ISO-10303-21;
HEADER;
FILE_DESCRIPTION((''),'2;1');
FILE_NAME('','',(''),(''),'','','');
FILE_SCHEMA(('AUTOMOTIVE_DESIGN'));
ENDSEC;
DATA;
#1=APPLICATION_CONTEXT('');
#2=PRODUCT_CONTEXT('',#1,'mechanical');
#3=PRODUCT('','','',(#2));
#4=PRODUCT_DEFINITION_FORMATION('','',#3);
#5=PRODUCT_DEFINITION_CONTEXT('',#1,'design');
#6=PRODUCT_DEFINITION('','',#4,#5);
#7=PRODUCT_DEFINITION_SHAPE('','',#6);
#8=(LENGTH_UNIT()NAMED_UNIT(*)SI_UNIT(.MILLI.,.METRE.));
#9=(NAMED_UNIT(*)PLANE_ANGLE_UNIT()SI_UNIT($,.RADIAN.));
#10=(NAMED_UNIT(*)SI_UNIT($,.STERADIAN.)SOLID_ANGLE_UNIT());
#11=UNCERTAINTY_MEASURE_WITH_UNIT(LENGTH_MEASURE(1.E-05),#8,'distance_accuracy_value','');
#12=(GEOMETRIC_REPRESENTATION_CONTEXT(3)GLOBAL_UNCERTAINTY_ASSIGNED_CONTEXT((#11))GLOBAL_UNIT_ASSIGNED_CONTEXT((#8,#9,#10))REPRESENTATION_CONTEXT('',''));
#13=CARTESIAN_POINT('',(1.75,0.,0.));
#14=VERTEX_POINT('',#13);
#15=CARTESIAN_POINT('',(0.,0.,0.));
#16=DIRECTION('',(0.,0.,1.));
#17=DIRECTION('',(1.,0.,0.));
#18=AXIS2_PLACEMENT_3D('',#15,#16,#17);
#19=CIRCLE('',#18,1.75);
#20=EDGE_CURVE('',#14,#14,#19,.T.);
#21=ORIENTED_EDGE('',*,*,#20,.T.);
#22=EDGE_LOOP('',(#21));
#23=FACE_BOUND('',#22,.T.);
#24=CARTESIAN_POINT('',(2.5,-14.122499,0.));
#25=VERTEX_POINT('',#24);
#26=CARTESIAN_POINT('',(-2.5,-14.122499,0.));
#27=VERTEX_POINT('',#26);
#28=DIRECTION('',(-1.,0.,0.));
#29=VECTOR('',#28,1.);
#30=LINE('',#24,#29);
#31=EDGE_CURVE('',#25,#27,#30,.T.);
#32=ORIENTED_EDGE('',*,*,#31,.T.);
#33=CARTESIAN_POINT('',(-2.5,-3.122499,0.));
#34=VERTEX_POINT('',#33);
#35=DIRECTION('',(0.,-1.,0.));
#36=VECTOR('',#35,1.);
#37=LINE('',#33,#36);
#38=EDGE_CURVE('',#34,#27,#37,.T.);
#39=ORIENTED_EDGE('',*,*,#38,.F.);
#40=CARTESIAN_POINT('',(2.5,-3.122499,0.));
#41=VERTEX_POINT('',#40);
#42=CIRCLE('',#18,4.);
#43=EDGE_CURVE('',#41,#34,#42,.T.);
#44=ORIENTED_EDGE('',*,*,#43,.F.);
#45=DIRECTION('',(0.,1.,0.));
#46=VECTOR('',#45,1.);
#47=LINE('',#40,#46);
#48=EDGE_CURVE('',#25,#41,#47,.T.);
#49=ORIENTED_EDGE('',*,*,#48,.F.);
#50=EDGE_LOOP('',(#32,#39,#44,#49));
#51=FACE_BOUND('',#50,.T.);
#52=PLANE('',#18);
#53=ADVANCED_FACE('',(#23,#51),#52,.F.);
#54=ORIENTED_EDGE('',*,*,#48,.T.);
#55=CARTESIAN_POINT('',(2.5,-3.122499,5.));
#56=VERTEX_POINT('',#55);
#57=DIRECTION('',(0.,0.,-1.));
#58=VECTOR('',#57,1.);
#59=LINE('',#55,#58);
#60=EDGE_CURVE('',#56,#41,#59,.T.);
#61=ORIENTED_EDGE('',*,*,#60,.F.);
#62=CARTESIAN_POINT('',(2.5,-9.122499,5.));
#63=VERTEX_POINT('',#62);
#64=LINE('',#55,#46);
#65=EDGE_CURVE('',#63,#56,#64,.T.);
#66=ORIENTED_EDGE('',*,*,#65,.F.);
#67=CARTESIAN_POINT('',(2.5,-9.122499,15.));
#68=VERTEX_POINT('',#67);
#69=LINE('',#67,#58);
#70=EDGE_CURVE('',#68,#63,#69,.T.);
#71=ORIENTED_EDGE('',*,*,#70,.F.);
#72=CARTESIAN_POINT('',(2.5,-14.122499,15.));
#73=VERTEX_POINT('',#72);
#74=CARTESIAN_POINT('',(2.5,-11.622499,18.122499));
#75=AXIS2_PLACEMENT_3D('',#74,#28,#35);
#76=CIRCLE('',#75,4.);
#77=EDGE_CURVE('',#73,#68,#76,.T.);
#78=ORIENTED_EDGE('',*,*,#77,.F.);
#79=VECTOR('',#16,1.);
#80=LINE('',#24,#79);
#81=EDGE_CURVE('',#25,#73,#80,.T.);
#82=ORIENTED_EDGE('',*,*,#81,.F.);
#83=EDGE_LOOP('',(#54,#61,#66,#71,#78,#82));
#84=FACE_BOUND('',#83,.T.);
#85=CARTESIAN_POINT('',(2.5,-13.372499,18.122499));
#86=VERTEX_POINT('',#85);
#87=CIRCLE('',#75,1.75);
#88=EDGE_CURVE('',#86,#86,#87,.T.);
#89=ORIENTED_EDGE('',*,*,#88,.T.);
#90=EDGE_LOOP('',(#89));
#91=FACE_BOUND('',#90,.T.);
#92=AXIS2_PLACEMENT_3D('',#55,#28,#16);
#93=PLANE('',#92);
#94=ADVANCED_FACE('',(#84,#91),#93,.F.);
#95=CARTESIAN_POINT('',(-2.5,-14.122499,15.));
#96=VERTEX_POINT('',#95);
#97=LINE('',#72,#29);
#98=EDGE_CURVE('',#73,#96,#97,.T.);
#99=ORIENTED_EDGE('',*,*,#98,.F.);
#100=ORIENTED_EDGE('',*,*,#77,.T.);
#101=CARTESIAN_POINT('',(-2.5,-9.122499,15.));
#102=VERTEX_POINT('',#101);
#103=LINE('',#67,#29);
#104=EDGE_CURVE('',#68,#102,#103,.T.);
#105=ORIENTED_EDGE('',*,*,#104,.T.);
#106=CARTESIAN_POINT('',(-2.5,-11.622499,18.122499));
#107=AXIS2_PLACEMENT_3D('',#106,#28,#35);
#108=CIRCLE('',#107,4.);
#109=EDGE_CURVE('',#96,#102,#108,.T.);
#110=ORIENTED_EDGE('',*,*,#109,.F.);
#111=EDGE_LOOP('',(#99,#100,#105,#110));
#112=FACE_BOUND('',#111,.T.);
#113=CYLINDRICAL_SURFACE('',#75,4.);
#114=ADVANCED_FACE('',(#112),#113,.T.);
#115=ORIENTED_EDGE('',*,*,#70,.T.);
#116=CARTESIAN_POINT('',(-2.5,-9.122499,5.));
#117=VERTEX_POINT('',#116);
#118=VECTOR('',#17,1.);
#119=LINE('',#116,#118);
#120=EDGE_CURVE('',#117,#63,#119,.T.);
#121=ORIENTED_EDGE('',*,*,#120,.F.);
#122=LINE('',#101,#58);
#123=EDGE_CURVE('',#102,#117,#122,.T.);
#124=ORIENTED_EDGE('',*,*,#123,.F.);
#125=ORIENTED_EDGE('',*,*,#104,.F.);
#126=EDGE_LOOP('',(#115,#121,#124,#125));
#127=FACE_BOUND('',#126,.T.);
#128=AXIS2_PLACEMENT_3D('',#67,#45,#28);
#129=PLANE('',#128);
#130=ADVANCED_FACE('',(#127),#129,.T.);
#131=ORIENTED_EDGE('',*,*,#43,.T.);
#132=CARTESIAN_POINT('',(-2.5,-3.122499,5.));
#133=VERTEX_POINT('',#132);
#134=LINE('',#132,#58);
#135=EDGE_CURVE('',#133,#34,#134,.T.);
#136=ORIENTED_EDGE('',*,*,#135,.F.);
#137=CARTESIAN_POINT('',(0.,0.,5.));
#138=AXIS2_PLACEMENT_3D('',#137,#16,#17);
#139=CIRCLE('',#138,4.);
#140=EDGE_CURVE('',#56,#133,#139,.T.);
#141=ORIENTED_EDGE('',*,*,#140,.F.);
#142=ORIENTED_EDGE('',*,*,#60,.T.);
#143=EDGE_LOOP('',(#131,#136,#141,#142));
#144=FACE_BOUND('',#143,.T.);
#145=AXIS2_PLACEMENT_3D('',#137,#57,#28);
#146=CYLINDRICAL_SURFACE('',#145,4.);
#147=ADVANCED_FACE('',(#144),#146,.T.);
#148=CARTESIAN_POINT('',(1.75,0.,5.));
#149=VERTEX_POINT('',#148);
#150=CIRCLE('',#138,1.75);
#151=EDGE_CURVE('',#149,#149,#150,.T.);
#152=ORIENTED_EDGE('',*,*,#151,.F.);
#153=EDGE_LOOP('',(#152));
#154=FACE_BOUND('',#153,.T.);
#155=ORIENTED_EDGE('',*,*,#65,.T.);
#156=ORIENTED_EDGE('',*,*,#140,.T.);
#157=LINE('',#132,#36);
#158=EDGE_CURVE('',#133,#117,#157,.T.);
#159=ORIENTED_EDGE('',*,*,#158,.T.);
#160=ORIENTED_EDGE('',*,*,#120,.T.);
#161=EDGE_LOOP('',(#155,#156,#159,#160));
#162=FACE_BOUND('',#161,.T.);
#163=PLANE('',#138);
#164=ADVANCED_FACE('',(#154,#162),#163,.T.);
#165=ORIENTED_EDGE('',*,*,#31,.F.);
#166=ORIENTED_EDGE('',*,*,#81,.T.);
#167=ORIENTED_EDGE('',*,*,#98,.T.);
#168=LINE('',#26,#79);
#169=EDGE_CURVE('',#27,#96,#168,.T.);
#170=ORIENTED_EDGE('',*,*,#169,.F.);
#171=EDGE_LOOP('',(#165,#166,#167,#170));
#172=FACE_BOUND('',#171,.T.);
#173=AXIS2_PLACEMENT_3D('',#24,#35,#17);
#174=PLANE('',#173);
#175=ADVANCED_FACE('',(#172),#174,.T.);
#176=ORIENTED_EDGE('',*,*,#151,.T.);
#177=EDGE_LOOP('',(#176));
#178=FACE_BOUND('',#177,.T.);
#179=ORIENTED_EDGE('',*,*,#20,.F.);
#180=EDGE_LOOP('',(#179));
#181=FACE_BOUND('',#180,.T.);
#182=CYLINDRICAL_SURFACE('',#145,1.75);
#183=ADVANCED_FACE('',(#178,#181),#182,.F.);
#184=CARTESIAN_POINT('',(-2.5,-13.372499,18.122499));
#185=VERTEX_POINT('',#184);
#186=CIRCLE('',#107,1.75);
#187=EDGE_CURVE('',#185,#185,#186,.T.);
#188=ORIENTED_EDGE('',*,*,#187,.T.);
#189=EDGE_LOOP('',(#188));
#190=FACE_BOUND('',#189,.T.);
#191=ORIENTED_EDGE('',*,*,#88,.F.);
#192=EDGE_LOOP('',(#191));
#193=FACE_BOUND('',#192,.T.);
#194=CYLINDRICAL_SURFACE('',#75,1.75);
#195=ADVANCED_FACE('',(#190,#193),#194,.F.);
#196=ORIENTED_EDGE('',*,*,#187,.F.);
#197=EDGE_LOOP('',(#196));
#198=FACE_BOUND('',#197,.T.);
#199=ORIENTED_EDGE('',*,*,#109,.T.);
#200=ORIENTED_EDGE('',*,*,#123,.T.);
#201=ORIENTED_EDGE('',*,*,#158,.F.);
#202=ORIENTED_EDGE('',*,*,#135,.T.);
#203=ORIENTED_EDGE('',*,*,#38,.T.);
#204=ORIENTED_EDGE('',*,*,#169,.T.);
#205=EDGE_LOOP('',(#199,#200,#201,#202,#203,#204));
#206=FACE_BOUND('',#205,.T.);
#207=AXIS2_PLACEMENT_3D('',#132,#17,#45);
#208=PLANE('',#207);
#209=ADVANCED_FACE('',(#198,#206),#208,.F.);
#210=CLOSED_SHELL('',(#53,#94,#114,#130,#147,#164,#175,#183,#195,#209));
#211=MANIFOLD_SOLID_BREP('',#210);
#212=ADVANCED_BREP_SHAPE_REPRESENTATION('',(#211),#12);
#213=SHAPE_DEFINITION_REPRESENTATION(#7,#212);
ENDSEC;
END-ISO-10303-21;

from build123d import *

# Parameters (mm, degrees)
ESBO_O1_R                = 1.75
RESSALTO_EXTRUS_O1_DEPTH = 5
ESBO_O2_R                = 1.75
RESSALTO_EXTRUS_O2_DEPTH = 5


with BuildPart() as part:
    # Esboço1 → Ressalto-extrusão1 (new body)
    with BuildSketch(Plane.XY):
        with BuildLine():
            Line((-2.5, -3.122498999), (-2.5, -9.122498999))
            Line((-2.5, -9.122498999), (2.5, -9.122498999))
            Line((2.5, -9.122498999), (2.5, -3.122498999))
            ThreePointArc((2.5, -3.122498999), (0, 4), (-2.5, -3.122498999))
        make_face()
        Circle(ESBO_O1_R, mode=Mode.SUBTRACT)
    extrude(amount=RESSALTO_EXTRUS_O1_DEPTH)

    # Esboço2 → Ressalto-extrusão2 (add)
    with BuildSketch(Plane.ZY.offset(2.5)):
        with BuildLine():
            Line((0, -9.122498999), (0, -14.122498999))
            Line((0, -14.122498999), (15, -14.122498999))
            ThreePointArc((15, -14.122498999), (22.122498999, -11.622498999), (15, -9.122498999))
            Line((15, -9.122498999), (0, -9.122498999))
        make_face()
        with Locations((18.122498999, -11.622498999)):
            Circle(ESBO_O2_R, mode=Mode.SUBTRACT)
    extrude(amount=-RESSALTO_EXTRUS_O2_DEPTH)


solid = part.part
